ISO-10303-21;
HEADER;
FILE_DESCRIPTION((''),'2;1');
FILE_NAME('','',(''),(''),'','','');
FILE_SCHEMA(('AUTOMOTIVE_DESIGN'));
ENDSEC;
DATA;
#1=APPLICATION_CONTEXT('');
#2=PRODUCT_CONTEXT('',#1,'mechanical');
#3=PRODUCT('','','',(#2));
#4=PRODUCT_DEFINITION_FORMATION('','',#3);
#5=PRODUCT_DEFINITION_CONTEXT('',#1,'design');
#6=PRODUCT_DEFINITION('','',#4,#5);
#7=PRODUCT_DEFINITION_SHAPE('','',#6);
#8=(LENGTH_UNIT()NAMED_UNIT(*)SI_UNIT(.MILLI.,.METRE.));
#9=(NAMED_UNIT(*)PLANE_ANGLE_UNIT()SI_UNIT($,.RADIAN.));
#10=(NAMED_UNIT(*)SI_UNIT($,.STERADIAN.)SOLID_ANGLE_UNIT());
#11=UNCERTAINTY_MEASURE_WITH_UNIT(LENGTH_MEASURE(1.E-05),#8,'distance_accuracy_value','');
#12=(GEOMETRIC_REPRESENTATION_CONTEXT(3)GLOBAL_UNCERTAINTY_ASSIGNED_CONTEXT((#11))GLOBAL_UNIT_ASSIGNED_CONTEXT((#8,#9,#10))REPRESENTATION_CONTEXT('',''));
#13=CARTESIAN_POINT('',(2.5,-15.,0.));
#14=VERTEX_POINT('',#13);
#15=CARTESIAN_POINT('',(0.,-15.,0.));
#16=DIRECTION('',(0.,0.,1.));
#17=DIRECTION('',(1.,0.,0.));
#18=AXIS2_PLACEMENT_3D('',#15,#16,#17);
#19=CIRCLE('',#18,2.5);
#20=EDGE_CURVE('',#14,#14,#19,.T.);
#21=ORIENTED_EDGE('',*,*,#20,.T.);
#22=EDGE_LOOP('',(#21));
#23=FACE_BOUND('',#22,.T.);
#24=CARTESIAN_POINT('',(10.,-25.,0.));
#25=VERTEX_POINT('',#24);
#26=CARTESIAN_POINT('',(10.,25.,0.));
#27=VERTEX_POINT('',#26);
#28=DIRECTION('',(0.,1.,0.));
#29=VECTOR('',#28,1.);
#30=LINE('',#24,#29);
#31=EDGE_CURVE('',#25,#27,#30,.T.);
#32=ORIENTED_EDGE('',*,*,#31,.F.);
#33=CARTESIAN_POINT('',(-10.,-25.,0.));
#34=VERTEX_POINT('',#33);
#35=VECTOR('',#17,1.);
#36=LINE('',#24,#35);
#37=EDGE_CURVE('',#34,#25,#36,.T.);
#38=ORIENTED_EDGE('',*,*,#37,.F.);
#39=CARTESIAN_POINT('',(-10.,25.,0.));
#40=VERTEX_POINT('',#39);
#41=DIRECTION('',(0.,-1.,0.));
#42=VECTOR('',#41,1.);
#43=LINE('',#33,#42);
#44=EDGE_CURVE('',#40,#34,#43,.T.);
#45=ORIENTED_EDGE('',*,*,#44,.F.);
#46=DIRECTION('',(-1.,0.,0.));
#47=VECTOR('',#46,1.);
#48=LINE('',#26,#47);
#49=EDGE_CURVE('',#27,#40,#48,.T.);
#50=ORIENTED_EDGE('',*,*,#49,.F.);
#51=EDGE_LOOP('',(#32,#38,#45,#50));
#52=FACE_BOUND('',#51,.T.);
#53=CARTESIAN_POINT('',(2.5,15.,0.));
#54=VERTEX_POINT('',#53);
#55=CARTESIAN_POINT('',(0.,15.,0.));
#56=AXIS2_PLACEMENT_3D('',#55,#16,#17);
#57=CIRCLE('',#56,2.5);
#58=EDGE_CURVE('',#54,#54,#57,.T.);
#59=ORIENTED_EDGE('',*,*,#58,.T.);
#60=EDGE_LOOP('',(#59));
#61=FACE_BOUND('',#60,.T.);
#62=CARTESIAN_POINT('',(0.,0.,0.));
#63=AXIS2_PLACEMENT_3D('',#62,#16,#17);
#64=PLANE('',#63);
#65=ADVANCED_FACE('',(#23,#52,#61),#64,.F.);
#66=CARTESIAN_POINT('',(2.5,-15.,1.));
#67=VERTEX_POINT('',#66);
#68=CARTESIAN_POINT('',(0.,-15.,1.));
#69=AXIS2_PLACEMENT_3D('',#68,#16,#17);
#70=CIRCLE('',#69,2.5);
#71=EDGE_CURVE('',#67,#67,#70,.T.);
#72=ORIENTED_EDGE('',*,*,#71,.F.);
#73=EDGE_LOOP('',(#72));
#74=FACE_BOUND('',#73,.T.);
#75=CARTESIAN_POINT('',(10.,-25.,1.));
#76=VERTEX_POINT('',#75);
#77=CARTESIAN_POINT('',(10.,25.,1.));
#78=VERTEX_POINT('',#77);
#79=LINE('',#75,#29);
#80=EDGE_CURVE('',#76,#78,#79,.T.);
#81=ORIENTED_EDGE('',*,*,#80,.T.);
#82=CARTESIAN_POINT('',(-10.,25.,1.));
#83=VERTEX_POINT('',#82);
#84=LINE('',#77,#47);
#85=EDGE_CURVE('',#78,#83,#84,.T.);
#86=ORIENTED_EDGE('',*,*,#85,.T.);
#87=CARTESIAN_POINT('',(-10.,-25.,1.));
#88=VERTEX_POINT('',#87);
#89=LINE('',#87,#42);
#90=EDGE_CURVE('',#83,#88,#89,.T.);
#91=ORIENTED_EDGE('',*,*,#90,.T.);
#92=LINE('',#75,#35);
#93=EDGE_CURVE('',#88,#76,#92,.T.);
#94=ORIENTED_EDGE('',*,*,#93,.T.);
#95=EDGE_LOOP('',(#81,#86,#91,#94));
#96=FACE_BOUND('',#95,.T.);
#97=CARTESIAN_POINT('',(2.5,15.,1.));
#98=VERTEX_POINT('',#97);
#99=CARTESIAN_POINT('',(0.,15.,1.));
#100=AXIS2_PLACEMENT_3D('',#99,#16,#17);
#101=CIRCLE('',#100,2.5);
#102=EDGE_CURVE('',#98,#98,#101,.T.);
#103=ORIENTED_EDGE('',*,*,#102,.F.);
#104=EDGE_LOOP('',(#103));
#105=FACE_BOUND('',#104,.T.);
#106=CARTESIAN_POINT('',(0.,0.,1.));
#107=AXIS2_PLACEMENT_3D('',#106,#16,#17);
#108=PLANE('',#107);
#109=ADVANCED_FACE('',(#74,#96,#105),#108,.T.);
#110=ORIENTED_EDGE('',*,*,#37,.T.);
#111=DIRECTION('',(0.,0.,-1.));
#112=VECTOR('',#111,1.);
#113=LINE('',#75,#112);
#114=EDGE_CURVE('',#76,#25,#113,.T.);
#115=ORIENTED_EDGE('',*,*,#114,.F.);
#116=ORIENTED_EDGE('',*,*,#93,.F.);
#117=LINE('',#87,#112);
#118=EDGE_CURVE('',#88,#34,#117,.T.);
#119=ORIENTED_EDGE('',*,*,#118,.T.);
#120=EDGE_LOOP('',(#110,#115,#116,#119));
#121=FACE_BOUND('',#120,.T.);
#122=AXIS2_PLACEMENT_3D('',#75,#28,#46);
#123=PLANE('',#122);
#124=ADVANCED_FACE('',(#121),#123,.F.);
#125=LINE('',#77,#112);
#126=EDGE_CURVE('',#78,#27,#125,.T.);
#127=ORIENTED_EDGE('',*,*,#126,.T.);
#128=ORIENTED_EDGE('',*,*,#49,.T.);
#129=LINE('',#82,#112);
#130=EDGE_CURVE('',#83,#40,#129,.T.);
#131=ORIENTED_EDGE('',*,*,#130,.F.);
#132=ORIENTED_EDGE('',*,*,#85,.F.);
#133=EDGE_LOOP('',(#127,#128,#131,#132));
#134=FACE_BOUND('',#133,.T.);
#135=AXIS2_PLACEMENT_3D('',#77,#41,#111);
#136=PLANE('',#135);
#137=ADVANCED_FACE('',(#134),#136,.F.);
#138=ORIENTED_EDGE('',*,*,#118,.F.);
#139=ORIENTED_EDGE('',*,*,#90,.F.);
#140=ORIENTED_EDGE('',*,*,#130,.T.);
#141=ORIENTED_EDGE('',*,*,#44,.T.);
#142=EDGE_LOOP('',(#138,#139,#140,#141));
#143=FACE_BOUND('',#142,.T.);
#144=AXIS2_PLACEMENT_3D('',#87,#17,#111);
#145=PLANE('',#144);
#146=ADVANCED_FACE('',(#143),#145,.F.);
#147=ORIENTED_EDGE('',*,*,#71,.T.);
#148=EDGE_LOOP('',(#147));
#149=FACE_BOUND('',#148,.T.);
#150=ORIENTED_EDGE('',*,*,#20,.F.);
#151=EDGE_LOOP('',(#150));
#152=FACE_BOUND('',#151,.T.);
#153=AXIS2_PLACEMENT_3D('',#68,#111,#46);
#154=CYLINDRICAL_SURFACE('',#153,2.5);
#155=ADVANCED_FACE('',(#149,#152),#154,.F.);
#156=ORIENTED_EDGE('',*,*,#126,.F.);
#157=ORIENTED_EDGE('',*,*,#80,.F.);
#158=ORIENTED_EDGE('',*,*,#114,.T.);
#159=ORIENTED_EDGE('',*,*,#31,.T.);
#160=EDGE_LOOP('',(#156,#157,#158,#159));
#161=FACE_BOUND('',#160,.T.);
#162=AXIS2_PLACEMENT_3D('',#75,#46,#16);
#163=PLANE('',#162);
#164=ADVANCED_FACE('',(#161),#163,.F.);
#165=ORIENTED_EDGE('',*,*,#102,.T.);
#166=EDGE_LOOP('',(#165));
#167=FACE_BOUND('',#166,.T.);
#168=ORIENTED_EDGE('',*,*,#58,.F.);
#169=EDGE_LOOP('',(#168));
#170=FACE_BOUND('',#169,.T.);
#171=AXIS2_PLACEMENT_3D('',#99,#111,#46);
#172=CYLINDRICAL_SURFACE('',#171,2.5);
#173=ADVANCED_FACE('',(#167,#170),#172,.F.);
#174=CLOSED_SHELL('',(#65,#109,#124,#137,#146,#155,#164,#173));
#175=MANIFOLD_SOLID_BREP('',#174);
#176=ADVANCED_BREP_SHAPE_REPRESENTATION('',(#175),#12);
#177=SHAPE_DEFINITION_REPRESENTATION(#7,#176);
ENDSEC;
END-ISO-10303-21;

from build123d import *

# Parameters (mm, degrees)
CROQUIS1_W              = 20
CROQUIS1_H              = 50
CROQUIS1_R              = 2.5
SALIENTE_EXTRUIR1_DEPTH = 1


with BuildPart() as part:
    # Croquis1 → Saliente-Extruir1 (new body)
    with BuildSketch(Plane.XY):
        Rectangle(CROQUIS1_W, CROQUIS1_H)
        with Locations((0, 15)):
            Circle(CROQUIS1_R, mode=Mode.SUBTRACT)
        with Locations((0, -15)):
            Circle(CROQUIS1_R, mode=Mode.SUBTRACT)
    extrude(amount=SALIENTE_EXTRUIR1_DEPTH)


solid = part.part
